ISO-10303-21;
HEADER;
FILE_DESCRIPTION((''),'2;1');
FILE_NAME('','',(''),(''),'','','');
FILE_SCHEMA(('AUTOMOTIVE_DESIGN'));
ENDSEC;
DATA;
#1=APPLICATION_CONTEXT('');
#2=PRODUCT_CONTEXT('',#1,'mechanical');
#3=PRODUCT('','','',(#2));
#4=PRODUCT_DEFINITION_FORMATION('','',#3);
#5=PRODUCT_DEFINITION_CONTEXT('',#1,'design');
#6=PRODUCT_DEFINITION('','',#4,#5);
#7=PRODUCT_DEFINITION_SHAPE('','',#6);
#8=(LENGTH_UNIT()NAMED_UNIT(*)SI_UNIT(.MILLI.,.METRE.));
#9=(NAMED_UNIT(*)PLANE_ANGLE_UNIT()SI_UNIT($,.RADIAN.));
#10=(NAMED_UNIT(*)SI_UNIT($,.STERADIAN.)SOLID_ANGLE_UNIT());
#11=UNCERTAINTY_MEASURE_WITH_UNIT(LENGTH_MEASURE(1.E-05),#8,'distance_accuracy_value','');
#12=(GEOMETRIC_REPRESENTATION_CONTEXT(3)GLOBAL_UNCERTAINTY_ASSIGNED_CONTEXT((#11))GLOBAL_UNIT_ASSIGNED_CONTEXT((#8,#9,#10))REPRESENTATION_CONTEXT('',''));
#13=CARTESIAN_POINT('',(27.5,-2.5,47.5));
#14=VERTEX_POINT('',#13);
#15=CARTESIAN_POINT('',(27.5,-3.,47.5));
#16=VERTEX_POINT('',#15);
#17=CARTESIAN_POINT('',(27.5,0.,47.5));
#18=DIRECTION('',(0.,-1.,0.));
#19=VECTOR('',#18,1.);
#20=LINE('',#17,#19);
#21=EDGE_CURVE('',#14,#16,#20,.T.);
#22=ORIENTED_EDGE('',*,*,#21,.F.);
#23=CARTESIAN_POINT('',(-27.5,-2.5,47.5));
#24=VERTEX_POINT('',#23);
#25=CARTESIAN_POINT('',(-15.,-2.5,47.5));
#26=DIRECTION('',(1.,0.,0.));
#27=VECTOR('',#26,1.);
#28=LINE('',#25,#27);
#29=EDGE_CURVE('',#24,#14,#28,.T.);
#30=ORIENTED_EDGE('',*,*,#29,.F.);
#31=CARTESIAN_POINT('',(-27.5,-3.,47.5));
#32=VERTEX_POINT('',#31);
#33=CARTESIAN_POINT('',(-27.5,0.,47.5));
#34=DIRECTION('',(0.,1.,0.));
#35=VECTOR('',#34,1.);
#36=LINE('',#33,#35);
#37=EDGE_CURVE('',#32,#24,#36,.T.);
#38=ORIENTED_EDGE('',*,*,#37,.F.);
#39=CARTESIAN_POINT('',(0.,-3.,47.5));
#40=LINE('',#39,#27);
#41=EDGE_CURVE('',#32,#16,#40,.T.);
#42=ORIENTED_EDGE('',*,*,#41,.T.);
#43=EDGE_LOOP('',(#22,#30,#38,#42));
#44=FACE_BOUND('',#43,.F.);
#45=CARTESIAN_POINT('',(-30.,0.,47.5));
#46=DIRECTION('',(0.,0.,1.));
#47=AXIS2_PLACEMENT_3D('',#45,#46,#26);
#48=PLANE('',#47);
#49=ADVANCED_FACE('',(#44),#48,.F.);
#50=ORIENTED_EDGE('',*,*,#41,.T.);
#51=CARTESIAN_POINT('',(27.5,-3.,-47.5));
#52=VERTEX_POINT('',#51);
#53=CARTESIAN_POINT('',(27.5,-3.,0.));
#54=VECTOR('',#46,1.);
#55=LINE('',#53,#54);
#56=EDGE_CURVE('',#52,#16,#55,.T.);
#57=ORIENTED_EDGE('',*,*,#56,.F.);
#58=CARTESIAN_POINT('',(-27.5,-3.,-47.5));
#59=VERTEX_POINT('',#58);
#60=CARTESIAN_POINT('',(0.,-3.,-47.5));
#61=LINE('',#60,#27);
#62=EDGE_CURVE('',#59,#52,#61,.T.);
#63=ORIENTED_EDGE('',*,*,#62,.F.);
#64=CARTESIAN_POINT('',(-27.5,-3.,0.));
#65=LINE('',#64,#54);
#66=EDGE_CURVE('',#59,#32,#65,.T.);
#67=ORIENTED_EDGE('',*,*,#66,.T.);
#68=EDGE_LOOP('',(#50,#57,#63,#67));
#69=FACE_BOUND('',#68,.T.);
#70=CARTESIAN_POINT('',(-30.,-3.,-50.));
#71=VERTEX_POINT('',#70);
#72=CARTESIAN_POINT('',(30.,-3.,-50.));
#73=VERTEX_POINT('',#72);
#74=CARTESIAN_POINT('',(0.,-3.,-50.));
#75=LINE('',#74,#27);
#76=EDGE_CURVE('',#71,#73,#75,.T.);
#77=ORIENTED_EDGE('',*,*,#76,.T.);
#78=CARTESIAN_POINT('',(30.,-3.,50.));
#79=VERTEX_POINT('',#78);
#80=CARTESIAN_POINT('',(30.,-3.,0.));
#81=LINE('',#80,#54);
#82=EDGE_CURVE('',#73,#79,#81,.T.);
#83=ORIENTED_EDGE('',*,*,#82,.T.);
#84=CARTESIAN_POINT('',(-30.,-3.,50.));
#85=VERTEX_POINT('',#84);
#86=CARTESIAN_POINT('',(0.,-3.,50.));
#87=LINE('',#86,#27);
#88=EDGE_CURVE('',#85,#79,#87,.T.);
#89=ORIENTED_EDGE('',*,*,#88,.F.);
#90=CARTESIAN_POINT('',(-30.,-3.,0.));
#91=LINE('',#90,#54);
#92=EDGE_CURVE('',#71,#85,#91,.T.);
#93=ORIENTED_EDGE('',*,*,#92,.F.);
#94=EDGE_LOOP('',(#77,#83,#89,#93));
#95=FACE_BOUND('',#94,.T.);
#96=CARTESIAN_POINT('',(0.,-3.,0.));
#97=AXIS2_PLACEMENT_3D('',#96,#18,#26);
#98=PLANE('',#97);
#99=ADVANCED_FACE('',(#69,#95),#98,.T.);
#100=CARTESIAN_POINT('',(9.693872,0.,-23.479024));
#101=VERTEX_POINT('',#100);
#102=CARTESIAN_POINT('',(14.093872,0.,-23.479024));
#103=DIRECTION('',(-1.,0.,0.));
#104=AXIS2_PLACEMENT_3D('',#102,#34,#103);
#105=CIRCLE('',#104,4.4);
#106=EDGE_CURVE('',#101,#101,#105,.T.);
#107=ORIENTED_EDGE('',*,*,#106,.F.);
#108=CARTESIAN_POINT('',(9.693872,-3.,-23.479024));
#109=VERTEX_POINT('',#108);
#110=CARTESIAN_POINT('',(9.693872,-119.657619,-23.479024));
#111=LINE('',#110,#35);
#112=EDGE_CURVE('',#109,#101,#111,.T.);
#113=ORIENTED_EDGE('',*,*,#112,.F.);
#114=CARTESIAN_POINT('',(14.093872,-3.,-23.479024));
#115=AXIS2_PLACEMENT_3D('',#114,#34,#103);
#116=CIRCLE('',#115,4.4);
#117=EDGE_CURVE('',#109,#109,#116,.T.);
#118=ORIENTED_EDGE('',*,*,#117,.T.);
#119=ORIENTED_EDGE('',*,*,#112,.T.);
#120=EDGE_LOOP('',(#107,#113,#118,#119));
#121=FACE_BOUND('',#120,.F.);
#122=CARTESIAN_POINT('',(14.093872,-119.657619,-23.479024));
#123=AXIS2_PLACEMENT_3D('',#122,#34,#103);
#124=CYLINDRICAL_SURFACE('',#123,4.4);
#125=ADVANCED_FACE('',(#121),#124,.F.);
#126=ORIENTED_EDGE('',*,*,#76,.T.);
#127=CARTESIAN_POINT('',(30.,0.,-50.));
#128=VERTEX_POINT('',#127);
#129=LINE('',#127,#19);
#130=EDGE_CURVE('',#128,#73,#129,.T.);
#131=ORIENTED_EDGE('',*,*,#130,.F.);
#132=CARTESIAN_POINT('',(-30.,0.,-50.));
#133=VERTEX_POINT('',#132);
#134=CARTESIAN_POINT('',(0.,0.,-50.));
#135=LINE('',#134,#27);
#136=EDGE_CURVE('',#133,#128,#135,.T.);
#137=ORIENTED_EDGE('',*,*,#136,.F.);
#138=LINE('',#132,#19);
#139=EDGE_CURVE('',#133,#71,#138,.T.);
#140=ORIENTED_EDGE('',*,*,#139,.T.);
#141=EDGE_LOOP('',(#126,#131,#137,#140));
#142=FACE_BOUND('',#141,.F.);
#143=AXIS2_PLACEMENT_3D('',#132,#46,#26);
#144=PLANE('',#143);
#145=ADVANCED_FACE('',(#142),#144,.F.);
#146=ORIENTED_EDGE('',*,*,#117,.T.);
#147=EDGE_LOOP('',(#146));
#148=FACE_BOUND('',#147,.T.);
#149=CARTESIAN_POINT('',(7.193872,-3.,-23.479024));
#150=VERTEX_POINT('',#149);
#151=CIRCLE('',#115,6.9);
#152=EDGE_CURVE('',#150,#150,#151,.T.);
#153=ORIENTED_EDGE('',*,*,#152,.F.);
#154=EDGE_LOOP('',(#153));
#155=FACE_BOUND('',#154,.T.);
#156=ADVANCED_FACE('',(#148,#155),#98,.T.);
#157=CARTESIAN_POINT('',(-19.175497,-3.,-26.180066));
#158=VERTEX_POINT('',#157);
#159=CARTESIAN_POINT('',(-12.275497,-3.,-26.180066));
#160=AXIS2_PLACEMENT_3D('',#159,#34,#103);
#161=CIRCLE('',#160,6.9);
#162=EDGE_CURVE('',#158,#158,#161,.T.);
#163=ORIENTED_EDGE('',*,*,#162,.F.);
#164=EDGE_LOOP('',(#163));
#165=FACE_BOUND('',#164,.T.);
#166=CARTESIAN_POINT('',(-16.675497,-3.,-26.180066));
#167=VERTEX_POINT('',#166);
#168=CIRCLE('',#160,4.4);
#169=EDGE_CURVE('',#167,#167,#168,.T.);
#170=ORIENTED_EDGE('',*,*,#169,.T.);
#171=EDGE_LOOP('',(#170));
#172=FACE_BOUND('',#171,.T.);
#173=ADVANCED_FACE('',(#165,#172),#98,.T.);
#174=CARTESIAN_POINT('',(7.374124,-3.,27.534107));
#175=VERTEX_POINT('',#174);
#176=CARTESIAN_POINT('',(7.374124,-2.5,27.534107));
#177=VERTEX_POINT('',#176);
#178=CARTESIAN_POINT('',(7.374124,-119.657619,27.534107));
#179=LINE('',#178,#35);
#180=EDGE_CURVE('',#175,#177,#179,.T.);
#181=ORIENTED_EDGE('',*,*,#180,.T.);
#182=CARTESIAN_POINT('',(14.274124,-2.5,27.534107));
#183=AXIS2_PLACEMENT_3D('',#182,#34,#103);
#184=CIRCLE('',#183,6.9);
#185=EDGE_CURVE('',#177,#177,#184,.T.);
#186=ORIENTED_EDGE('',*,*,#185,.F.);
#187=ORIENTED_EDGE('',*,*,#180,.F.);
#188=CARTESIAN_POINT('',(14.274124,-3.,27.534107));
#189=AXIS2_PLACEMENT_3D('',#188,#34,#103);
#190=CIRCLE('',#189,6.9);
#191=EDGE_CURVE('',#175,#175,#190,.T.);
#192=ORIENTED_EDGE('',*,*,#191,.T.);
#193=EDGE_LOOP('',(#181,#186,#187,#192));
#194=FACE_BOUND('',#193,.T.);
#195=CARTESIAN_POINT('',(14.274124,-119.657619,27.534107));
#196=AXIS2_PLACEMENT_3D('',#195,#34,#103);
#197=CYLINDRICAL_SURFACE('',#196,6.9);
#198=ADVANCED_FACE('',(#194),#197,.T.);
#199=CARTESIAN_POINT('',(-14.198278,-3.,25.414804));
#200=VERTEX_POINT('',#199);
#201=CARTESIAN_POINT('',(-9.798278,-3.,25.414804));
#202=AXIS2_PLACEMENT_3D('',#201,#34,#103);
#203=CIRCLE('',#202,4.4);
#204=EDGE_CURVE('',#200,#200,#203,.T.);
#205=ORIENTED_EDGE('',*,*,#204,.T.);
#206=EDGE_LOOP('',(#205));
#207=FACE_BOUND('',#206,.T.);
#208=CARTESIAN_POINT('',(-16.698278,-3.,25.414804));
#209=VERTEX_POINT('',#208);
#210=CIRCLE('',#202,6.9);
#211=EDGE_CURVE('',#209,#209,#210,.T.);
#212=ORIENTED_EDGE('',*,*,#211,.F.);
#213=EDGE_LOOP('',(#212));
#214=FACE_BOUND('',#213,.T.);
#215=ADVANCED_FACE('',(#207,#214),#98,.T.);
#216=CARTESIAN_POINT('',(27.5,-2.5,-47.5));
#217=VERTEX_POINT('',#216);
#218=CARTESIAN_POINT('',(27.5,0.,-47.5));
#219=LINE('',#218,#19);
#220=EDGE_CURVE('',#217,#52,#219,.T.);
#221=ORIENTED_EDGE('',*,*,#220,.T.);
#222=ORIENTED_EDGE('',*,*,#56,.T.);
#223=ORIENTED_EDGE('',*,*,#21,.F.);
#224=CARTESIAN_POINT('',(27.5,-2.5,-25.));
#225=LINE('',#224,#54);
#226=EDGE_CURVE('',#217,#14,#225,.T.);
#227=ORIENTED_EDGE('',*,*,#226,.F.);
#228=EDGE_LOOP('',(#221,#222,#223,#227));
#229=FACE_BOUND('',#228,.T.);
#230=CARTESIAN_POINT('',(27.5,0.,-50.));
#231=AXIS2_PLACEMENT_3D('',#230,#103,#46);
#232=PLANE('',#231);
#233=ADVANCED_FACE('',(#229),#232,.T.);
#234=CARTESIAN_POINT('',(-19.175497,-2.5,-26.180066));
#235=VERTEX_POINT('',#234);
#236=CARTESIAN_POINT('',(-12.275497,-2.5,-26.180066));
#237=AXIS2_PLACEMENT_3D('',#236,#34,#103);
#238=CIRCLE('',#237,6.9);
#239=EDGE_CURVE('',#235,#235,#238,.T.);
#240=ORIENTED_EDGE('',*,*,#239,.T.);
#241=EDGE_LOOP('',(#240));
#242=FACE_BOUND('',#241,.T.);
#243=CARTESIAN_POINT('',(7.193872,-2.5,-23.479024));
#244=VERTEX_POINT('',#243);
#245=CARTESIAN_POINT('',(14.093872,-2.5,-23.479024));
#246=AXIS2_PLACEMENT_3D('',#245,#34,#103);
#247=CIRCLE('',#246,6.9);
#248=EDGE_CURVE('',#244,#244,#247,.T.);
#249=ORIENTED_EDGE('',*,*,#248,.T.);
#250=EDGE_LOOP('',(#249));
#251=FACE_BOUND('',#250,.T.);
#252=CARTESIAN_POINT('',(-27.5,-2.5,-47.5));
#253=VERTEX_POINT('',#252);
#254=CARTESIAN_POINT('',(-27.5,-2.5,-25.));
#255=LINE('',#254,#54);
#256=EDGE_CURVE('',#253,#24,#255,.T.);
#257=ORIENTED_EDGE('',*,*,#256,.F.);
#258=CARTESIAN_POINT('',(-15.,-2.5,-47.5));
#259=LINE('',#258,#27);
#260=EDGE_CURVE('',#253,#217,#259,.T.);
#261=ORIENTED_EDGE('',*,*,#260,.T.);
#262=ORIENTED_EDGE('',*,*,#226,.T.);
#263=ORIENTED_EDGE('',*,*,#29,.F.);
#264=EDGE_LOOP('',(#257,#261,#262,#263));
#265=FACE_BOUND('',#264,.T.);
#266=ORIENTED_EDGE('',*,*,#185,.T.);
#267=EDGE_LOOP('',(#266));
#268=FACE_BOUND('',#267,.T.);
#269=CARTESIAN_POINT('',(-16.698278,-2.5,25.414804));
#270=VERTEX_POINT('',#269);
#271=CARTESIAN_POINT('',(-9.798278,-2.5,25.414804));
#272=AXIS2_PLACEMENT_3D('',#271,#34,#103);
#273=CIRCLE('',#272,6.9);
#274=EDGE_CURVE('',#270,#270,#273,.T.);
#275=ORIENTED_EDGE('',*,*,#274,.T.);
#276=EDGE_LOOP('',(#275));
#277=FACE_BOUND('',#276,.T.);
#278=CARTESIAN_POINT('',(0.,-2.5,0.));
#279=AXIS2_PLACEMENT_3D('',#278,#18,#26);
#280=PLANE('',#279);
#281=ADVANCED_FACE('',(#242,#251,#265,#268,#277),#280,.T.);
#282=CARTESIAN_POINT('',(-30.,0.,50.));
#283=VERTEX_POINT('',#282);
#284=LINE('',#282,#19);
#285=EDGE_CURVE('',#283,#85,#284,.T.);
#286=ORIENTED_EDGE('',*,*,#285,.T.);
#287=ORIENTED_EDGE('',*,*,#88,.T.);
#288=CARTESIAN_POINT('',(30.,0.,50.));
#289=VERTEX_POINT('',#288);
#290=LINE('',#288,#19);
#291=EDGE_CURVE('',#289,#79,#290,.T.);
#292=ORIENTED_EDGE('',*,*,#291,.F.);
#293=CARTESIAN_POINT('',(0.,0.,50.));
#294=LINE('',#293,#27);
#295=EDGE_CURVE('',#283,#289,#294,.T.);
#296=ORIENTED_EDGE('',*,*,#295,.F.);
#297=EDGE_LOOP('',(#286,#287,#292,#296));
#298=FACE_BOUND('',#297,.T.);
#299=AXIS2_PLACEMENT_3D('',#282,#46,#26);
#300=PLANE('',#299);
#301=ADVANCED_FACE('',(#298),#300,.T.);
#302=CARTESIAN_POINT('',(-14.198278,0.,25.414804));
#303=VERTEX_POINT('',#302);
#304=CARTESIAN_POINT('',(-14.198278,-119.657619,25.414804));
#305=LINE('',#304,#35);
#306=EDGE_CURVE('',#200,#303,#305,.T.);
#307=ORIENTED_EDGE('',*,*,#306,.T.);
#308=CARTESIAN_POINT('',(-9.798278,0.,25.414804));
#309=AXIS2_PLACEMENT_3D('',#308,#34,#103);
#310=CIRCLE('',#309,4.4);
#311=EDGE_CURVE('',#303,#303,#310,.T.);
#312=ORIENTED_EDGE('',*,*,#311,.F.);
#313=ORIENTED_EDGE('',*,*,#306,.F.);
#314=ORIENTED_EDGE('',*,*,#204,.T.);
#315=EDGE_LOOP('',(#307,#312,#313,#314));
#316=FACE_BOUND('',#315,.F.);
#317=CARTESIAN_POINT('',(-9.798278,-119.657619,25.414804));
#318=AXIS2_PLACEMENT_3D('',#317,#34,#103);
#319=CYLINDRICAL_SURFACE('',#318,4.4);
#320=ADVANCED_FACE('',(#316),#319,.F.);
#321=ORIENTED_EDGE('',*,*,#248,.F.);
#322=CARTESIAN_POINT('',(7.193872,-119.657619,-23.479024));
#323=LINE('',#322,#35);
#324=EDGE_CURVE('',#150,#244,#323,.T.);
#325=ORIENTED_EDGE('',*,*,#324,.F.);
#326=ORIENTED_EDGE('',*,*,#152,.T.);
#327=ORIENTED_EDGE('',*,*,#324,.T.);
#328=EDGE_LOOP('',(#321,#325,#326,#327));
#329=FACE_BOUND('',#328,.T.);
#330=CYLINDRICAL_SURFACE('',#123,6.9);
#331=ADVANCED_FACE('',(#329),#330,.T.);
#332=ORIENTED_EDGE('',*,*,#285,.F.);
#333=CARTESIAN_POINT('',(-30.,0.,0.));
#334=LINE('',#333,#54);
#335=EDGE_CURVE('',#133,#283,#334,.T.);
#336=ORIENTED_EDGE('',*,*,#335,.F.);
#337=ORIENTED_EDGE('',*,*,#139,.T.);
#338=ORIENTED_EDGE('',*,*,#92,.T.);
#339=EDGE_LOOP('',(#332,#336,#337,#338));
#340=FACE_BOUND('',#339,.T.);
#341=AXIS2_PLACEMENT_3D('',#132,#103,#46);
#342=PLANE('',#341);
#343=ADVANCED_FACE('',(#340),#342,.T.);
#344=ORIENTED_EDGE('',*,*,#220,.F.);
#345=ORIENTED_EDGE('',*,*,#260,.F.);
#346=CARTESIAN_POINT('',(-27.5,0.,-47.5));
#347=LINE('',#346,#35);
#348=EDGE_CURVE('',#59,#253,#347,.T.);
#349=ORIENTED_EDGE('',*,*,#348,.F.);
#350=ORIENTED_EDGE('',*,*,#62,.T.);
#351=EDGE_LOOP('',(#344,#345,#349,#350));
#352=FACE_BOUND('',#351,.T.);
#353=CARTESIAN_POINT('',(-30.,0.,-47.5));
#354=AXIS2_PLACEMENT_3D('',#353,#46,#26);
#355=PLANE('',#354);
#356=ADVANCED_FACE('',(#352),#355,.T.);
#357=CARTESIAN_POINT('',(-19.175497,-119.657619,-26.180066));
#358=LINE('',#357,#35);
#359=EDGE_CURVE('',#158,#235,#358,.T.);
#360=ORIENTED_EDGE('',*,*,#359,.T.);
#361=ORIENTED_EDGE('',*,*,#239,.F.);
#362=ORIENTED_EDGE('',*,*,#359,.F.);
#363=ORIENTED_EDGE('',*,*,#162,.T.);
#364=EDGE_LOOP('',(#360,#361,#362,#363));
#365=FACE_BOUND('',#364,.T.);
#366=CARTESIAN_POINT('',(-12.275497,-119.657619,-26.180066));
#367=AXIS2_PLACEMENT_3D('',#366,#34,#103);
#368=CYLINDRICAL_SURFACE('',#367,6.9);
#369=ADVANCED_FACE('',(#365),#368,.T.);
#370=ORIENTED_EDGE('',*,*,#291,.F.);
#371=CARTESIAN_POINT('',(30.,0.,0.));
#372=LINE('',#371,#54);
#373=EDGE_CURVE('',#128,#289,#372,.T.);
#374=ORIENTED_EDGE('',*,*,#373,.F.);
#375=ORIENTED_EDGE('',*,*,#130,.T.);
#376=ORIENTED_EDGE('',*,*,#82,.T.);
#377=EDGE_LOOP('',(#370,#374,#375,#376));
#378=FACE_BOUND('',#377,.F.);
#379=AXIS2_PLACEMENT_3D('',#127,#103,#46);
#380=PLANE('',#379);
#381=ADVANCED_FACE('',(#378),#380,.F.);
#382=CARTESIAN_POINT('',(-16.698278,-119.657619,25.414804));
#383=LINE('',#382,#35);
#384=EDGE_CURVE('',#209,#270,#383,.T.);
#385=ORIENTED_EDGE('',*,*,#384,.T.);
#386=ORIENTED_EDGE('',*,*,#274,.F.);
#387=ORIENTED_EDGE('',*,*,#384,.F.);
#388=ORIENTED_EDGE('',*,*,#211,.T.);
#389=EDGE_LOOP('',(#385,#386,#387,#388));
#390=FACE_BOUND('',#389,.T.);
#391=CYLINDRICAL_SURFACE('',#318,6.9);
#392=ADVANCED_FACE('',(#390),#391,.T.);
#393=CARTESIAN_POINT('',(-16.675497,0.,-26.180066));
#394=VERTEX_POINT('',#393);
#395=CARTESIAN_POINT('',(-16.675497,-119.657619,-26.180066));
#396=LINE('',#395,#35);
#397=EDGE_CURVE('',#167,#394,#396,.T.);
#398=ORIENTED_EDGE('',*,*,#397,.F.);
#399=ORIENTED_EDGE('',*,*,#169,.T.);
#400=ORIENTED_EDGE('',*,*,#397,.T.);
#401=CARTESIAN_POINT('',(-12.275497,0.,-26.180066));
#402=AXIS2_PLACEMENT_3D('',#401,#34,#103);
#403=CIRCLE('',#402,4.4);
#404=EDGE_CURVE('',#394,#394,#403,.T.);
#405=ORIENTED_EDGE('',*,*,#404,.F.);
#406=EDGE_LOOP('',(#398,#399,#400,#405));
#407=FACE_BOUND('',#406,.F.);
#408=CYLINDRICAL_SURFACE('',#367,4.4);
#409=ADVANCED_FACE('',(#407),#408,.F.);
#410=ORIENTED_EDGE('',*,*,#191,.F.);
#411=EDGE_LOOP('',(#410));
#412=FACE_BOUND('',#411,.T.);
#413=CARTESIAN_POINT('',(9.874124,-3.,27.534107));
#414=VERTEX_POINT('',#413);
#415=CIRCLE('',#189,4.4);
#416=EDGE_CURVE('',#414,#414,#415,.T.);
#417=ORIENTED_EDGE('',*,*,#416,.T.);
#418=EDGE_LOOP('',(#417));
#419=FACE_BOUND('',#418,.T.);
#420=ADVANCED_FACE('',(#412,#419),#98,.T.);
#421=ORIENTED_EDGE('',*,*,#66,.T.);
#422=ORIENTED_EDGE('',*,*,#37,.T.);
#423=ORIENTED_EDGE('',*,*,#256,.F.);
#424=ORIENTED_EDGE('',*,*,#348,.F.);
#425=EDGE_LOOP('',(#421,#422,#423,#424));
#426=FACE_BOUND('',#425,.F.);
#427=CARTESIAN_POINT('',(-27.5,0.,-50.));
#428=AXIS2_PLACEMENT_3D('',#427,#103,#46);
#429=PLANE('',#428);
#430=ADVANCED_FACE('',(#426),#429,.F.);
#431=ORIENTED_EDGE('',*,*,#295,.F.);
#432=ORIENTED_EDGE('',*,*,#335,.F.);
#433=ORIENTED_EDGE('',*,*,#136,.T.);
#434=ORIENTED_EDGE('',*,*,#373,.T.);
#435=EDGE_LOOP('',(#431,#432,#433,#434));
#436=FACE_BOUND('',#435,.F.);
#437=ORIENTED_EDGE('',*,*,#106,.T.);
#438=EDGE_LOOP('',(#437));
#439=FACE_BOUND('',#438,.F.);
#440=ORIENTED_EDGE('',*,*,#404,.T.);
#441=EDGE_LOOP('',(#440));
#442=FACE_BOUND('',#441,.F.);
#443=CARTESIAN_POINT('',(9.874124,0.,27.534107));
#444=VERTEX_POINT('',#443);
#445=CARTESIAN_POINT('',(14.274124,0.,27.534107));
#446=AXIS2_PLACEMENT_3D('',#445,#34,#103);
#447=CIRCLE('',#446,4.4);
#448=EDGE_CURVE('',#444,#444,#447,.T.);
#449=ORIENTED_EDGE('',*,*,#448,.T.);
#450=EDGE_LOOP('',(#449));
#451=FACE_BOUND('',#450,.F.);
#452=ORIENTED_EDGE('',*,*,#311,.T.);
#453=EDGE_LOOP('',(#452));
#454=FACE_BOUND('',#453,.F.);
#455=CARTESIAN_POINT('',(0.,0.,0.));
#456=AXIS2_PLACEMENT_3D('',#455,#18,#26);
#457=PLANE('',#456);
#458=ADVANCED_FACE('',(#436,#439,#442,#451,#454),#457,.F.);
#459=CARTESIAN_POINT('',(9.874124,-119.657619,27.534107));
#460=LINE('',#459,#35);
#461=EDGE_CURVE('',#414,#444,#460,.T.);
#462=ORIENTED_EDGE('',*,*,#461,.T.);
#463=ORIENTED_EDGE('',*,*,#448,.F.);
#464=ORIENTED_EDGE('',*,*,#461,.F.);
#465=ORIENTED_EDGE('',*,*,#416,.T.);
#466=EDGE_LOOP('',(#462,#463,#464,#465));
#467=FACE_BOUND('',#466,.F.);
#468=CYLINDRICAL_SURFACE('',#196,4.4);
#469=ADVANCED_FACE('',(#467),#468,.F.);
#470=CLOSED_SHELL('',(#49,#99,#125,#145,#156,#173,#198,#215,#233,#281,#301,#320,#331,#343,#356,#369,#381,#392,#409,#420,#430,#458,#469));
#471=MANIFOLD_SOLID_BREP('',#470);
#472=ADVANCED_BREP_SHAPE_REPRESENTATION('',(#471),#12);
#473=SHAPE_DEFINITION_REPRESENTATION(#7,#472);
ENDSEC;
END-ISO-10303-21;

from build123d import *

# Parameters (mm, degrees)
F0_W     = 60
F0_H     = 100
F1_DEPTH = 3
F3_D     = 8.8
F4_T     = -2.5


with BuildPart() as f1:
    # F0 (on Front) → F1 (new body)
    with BuildSketch(Plane.XZ):
        Rectangle(F0_W, F0_H)
    extrude(amount=F1_DEPTH)

    # F3 (through all)
    with Locations(Plane.XZ.offset(3)):
        with Locations((-9.7982781008, 25.4148039967), (14.2741240561, 27.5341067463), (14.0938721597, -23.4790239483), (-12.2754974291, -26.1800661683)):
            Hole(F3_D / 2)

    # F4
    f4_openings = [f1.faces().sort_by_distance(p)[0] for p in [
        (-0.0665, -3, -0.034758),
    ]]
    offset(amount=F4_T, openings=f4_openings)


solid = f1.part
